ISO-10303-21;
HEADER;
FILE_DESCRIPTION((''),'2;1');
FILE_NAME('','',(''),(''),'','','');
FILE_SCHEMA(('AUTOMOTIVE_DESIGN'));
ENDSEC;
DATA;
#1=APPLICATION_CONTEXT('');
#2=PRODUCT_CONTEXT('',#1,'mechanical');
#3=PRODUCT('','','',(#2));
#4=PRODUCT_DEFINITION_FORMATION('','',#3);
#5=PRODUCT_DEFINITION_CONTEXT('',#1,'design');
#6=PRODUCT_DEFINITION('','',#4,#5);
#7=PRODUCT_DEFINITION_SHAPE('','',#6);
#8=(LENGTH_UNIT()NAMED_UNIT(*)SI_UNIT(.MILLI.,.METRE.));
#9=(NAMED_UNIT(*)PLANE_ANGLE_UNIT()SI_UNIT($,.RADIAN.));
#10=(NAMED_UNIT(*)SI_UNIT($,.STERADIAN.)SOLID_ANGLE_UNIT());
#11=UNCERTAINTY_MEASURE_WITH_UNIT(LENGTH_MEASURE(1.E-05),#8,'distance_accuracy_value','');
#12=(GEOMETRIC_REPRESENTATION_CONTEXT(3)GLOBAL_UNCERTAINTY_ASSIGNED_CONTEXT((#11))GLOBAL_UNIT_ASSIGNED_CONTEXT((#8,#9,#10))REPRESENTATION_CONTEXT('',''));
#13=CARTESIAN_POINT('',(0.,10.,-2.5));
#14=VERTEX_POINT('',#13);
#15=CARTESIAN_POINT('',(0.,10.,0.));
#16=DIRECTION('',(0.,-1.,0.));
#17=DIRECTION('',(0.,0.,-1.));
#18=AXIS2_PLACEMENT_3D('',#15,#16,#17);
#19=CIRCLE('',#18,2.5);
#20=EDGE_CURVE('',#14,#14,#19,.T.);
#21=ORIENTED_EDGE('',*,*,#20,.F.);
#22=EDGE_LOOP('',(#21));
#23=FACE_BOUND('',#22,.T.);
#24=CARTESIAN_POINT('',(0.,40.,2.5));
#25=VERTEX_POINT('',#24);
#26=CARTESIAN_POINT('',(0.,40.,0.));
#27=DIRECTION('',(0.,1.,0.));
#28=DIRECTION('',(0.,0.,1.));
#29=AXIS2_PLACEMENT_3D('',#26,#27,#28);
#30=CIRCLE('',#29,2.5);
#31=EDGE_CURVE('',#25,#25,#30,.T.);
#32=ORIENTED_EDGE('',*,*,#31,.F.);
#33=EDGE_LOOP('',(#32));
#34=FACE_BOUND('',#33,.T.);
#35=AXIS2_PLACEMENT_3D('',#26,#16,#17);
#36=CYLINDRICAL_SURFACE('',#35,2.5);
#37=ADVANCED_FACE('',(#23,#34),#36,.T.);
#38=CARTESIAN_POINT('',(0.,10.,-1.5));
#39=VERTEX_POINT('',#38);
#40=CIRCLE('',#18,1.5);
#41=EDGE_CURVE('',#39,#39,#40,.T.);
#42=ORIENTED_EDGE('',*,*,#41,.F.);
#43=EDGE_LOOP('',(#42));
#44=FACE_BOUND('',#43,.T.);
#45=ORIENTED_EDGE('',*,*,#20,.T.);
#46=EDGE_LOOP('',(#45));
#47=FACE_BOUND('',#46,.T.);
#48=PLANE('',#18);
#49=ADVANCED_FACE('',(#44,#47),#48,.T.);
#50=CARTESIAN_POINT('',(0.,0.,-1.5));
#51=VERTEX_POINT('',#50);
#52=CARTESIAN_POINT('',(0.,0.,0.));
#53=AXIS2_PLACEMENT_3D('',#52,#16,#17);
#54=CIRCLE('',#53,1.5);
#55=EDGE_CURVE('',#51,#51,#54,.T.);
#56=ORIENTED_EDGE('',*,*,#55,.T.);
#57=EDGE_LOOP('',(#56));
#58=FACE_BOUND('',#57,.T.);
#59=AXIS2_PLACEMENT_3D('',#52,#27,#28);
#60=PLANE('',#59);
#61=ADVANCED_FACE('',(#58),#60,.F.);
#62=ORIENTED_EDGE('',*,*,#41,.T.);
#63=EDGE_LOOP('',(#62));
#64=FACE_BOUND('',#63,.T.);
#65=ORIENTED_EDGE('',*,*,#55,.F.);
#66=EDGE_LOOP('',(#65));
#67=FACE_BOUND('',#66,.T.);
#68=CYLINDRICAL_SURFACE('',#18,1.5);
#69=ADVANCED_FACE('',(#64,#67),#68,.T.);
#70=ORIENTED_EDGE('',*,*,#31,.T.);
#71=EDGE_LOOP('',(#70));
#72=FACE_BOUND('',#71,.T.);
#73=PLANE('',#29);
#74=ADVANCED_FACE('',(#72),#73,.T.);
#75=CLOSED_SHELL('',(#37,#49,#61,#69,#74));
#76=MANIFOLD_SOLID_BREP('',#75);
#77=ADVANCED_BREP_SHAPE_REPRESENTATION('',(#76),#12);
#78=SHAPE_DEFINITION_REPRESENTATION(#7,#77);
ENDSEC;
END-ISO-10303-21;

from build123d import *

# Parameters (mm, degrees)
SKETCH1_R           = 2.5
BOSS_EXTRUDE1_DEPTH = 40
SKETCH2_R           = 2.5
SKETCH2_R_2         = 1.5
CUT_EXTRUDE1_DEPTH  = 10


with BuildPart() as part:
    # Sketch1 → Boss-Extrude1 (new body)
    with BuildSketch(Plane(origin=(0, 0, 0), x_dir=(1, 0, 0), z_dir=(0, 1, 0))):
        with Locations(Location((0, 0, 0), (0, 0, 270))):
            Circle(SKETCH1_R)
    extrude(amount=BOSS_EXTRUDE1_DEPTH)

    # Sketch2 → Cut-Extrude1 (cut)
    with BuildSketch(Plane.XZ):
        with Locations(Location((0, 0, 0), (0, 0, 270))):
            Circle(SKETCH2_R)
        with Locations(Location((0, 0, 0), (0, 0, 270))):
            Circle(SKETCH2_R_2, mode=Mode.SUBTRACT)
    extrude(amount=-CUT_EXTRUDE1_DEPTH, mode=Mode.SUBTRACT)


solid = part.part
